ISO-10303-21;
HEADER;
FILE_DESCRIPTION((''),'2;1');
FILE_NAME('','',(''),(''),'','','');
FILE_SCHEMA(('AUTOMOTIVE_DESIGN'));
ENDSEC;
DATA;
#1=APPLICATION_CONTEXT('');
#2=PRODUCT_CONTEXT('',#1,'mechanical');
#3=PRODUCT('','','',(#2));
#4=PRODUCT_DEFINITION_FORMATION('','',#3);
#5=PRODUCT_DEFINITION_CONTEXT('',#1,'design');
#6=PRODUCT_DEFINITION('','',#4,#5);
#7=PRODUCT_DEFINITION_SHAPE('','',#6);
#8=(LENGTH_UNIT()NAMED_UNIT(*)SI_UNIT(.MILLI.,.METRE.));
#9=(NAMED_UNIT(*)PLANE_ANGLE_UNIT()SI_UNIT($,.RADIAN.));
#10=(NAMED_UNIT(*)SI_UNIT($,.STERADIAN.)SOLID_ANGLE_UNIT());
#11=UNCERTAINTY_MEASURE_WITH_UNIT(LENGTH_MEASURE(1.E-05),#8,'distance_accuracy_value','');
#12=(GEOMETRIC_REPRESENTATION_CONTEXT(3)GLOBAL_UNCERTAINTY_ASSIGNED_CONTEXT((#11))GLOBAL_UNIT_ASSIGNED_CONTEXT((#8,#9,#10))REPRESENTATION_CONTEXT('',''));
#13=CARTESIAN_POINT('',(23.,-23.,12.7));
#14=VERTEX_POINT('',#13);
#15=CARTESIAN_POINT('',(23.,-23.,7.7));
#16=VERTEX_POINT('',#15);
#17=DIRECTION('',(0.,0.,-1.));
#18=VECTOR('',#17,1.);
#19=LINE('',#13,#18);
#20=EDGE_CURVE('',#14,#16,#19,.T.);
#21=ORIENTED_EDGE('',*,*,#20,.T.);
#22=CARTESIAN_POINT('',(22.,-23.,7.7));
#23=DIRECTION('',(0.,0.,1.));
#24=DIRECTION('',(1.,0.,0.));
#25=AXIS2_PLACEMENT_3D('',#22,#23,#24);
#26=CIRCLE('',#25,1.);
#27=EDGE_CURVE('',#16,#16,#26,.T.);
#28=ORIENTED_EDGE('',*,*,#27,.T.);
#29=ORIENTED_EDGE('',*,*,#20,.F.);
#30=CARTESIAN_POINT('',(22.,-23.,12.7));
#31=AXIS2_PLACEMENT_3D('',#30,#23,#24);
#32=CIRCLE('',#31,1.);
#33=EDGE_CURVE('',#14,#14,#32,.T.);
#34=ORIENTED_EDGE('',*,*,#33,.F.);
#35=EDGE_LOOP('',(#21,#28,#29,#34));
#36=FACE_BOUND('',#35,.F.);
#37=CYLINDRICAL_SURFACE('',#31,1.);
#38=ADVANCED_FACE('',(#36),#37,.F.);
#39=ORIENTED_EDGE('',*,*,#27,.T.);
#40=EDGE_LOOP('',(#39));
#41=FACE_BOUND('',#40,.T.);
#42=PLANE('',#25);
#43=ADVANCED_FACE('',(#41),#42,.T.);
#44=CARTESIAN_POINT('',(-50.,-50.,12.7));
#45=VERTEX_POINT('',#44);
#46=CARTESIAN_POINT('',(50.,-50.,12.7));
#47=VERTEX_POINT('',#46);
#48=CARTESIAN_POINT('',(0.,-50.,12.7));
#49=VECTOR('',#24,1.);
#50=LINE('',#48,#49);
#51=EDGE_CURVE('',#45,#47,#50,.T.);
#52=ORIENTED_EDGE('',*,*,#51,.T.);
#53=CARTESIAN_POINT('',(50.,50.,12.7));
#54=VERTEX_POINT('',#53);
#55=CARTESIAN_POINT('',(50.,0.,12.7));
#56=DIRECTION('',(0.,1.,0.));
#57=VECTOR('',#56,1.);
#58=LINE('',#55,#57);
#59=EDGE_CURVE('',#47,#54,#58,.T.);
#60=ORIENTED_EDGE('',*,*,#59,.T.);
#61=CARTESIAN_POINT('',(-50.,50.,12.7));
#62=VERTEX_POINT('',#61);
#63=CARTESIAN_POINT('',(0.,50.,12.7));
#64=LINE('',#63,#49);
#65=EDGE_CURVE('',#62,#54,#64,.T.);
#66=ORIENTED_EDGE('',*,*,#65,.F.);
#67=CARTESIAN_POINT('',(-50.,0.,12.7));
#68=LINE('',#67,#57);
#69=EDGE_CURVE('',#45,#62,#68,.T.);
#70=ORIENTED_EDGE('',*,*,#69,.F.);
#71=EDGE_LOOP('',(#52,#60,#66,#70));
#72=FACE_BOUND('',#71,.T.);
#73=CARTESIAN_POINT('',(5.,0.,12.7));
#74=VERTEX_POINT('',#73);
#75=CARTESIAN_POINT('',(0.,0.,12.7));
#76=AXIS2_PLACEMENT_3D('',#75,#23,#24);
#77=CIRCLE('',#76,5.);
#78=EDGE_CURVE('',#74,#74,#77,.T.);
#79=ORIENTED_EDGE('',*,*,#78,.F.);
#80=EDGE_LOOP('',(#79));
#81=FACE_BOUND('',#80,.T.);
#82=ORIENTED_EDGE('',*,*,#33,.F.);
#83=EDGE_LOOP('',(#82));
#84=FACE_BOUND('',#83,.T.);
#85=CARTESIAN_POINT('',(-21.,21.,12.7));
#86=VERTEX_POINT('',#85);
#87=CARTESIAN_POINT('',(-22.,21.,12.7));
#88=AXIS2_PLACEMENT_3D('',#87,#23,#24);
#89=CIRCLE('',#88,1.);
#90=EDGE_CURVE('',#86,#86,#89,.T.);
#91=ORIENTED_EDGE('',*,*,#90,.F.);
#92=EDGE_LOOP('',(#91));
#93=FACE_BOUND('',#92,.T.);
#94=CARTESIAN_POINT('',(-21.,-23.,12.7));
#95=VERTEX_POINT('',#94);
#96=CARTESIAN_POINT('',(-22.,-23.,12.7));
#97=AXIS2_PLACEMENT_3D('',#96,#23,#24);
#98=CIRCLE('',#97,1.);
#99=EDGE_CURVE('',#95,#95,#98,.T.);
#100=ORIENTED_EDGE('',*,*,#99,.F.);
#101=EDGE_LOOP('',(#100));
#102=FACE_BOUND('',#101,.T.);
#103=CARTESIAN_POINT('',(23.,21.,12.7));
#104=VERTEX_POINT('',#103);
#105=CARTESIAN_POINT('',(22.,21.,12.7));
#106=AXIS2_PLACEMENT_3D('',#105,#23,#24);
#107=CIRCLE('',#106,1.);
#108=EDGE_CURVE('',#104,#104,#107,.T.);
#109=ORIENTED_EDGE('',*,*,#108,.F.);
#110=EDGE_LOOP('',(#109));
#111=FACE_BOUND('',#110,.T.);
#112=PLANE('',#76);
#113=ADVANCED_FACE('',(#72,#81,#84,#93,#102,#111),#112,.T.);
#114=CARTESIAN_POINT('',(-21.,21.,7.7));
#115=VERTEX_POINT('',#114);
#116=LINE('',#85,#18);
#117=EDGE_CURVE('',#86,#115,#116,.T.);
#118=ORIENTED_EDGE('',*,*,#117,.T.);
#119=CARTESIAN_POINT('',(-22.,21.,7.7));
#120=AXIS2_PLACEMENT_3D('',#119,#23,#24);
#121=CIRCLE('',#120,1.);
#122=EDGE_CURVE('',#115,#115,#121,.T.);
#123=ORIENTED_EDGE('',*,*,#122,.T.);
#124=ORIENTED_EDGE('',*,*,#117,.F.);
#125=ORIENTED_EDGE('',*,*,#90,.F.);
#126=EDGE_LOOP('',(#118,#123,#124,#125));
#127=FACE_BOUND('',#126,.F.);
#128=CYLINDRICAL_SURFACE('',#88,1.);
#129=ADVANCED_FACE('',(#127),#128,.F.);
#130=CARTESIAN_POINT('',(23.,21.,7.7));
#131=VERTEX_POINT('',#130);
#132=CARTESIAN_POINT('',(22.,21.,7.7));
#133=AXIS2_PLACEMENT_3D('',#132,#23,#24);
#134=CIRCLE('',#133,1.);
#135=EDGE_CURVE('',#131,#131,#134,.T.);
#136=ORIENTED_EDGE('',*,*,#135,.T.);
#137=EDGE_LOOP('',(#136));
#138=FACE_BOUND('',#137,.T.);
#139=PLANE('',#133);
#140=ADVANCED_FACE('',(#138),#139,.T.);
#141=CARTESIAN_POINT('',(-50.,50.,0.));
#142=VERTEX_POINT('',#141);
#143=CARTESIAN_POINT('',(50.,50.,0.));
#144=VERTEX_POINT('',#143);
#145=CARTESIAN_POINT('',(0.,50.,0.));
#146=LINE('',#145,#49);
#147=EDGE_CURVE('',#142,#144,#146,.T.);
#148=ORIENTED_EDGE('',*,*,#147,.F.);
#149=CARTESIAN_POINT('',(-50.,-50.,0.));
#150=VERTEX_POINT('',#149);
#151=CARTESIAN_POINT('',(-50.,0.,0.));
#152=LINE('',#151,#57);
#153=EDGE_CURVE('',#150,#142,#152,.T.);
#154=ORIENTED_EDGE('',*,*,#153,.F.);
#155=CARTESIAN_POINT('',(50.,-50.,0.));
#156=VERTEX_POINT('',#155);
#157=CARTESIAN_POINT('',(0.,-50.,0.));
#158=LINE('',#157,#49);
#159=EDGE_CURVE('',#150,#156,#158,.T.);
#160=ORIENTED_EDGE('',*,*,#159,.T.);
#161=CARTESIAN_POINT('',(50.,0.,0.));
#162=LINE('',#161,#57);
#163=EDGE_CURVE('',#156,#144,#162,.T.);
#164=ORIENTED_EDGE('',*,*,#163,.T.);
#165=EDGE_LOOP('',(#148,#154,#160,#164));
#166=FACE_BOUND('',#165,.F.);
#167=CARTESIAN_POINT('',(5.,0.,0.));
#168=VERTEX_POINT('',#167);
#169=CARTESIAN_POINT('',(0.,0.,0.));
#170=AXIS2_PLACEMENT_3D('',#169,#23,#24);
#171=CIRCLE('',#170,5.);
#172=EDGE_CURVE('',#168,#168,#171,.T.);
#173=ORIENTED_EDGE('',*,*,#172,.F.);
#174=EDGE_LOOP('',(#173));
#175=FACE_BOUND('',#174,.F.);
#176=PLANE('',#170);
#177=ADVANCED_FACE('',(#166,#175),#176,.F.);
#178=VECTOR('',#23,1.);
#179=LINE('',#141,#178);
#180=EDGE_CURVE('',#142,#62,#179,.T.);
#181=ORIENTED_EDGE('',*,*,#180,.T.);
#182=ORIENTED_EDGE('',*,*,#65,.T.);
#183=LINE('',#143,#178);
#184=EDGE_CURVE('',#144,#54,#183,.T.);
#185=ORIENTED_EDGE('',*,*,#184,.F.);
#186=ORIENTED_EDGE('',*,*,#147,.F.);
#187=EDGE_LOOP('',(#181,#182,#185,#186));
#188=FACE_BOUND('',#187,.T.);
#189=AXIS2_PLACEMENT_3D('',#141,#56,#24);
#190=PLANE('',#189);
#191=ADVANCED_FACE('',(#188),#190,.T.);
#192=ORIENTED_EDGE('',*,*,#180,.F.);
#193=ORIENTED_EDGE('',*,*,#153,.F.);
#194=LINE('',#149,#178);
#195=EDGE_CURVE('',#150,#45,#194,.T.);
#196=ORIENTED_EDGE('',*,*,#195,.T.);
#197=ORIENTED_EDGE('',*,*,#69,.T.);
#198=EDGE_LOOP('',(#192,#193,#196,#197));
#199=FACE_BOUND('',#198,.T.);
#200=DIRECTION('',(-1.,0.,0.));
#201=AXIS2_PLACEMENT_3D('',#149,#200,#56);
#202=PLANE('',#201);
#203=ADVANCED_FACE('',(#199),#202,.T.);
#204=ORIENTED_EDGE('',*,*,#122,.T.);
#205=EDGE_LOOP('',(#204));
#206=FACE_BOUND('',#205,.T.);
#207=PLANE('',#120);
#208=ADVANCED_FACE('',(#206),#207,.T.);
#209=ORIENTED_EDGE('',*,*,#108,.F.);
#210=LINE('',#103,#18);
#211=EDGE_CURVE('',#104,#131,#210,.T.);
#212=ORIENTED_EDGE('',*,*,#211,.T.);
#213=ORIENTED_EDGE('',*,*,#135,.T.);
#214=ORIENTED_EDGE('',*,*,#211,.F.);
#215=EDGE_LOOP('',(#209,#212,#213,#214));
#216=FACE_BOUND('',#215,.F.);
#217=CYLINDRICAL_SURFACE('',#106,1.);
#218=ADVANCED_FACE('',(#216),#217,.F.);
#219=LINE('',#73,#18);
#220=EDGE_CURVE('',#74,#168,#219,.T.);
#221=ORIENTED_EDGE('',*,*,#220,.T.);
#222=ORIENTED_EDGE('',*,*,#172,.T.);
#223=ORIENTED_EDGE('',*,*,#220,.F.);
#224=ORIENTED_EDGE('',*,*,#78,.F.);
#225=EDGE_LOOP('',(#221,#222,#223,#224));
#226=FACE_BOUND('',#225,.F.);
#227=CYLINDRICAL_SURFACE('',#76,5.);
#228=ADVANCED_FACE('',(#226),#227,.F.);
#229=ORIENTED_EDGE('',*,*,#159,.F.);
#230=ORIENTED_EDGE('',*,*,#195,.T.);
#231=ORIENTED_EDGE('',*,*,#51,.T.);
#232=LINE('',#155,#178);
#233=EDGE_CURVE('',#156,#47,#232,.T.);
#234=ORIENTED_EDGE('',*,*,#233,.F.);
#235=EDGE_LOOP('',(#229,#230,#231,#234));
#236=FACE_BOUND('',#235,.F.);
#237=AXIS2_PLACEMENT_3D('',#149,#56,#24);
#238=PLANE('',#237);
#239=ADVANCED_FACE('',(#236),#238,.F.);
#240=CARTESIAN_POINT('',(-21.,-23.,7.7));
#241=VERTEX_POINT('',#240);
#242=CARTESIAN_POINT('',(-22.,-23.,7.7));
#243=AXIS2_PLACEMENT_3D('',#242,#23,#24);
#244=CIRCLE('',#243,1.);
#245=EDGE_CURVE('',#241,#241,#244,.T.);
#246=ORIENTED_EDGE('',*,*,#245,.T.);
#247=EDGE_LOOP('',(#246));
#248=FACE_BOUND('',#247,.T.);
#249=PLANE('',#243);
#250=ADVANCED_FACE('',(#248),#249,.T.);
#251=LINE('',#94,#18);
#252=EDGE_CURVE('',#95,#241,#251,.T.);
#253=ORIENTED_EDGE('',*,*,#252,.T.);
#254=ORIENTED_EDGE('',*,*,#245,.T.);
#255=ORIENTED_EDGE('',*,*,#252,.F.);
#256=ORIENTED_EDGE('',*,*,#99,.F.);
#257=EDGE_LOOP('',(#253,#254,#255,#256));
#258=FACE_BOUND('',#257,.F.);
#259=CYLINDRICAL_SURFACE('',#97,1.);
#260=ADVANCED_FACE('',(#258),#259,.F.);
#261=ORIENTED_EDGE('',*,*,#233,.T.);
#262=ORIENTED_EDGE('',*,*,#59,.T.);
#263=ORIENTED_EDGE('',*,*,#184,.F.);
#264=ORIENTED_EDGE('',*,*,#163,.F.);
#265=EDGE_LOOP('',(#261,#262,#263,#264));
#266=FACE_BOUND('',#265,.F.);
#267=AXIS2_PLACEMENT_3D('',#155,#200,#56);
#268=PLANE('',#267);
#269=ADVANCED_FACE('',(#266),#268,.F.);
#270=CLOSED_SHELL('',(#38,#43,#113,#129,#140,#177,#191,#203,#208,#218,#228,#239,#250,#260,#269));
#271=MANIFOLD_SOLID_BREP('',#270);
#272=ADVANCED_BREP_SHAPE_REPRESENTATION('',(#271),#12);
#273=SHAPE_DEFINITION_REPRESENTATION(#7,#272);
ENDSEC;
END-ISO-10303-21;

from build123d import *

# Parameters (mm, degrees)
F0_W     = 100
F0_H     = 100
F1_DEPTH = 12.7
F2_R     = 5
F3_DEPTH = 25
F2_R_2   = 1
F4_DEPTH = 5


with BuildPart() as f1:
    # F0 (on Top) → F1 (new body)
    with BuildSketch(Plane.XY):
        Rectangle(F0_W, F0_H)
    extrude(amount=F1_DEPTH)

    # F2 (on face) → F3 (cut)
    with BuildSketch(Plane.XY.offset(12.7)):
        Circle(F2_R)
    extrude(amount=-F3_DEPTH, mode=Mode.SUBTRACT)

    # F2 (on face) → F4 (cut)
    with BuildSketch(Plane.XY.offset(12.7)):
        with Locations((-22, 21)):
            Circle(F2_R_2)
        with Locations((22, 21)):
            Circle(F2_R_2)
        with Locations((22, -23)):
            Circle(F2_R_2)
        with Locations((-22, -23)):
            Circle(F2_R_2)
    extrude(amount=-F4_DEPTH, mode=Mode.SUBTRACT)


solid = f1.part
